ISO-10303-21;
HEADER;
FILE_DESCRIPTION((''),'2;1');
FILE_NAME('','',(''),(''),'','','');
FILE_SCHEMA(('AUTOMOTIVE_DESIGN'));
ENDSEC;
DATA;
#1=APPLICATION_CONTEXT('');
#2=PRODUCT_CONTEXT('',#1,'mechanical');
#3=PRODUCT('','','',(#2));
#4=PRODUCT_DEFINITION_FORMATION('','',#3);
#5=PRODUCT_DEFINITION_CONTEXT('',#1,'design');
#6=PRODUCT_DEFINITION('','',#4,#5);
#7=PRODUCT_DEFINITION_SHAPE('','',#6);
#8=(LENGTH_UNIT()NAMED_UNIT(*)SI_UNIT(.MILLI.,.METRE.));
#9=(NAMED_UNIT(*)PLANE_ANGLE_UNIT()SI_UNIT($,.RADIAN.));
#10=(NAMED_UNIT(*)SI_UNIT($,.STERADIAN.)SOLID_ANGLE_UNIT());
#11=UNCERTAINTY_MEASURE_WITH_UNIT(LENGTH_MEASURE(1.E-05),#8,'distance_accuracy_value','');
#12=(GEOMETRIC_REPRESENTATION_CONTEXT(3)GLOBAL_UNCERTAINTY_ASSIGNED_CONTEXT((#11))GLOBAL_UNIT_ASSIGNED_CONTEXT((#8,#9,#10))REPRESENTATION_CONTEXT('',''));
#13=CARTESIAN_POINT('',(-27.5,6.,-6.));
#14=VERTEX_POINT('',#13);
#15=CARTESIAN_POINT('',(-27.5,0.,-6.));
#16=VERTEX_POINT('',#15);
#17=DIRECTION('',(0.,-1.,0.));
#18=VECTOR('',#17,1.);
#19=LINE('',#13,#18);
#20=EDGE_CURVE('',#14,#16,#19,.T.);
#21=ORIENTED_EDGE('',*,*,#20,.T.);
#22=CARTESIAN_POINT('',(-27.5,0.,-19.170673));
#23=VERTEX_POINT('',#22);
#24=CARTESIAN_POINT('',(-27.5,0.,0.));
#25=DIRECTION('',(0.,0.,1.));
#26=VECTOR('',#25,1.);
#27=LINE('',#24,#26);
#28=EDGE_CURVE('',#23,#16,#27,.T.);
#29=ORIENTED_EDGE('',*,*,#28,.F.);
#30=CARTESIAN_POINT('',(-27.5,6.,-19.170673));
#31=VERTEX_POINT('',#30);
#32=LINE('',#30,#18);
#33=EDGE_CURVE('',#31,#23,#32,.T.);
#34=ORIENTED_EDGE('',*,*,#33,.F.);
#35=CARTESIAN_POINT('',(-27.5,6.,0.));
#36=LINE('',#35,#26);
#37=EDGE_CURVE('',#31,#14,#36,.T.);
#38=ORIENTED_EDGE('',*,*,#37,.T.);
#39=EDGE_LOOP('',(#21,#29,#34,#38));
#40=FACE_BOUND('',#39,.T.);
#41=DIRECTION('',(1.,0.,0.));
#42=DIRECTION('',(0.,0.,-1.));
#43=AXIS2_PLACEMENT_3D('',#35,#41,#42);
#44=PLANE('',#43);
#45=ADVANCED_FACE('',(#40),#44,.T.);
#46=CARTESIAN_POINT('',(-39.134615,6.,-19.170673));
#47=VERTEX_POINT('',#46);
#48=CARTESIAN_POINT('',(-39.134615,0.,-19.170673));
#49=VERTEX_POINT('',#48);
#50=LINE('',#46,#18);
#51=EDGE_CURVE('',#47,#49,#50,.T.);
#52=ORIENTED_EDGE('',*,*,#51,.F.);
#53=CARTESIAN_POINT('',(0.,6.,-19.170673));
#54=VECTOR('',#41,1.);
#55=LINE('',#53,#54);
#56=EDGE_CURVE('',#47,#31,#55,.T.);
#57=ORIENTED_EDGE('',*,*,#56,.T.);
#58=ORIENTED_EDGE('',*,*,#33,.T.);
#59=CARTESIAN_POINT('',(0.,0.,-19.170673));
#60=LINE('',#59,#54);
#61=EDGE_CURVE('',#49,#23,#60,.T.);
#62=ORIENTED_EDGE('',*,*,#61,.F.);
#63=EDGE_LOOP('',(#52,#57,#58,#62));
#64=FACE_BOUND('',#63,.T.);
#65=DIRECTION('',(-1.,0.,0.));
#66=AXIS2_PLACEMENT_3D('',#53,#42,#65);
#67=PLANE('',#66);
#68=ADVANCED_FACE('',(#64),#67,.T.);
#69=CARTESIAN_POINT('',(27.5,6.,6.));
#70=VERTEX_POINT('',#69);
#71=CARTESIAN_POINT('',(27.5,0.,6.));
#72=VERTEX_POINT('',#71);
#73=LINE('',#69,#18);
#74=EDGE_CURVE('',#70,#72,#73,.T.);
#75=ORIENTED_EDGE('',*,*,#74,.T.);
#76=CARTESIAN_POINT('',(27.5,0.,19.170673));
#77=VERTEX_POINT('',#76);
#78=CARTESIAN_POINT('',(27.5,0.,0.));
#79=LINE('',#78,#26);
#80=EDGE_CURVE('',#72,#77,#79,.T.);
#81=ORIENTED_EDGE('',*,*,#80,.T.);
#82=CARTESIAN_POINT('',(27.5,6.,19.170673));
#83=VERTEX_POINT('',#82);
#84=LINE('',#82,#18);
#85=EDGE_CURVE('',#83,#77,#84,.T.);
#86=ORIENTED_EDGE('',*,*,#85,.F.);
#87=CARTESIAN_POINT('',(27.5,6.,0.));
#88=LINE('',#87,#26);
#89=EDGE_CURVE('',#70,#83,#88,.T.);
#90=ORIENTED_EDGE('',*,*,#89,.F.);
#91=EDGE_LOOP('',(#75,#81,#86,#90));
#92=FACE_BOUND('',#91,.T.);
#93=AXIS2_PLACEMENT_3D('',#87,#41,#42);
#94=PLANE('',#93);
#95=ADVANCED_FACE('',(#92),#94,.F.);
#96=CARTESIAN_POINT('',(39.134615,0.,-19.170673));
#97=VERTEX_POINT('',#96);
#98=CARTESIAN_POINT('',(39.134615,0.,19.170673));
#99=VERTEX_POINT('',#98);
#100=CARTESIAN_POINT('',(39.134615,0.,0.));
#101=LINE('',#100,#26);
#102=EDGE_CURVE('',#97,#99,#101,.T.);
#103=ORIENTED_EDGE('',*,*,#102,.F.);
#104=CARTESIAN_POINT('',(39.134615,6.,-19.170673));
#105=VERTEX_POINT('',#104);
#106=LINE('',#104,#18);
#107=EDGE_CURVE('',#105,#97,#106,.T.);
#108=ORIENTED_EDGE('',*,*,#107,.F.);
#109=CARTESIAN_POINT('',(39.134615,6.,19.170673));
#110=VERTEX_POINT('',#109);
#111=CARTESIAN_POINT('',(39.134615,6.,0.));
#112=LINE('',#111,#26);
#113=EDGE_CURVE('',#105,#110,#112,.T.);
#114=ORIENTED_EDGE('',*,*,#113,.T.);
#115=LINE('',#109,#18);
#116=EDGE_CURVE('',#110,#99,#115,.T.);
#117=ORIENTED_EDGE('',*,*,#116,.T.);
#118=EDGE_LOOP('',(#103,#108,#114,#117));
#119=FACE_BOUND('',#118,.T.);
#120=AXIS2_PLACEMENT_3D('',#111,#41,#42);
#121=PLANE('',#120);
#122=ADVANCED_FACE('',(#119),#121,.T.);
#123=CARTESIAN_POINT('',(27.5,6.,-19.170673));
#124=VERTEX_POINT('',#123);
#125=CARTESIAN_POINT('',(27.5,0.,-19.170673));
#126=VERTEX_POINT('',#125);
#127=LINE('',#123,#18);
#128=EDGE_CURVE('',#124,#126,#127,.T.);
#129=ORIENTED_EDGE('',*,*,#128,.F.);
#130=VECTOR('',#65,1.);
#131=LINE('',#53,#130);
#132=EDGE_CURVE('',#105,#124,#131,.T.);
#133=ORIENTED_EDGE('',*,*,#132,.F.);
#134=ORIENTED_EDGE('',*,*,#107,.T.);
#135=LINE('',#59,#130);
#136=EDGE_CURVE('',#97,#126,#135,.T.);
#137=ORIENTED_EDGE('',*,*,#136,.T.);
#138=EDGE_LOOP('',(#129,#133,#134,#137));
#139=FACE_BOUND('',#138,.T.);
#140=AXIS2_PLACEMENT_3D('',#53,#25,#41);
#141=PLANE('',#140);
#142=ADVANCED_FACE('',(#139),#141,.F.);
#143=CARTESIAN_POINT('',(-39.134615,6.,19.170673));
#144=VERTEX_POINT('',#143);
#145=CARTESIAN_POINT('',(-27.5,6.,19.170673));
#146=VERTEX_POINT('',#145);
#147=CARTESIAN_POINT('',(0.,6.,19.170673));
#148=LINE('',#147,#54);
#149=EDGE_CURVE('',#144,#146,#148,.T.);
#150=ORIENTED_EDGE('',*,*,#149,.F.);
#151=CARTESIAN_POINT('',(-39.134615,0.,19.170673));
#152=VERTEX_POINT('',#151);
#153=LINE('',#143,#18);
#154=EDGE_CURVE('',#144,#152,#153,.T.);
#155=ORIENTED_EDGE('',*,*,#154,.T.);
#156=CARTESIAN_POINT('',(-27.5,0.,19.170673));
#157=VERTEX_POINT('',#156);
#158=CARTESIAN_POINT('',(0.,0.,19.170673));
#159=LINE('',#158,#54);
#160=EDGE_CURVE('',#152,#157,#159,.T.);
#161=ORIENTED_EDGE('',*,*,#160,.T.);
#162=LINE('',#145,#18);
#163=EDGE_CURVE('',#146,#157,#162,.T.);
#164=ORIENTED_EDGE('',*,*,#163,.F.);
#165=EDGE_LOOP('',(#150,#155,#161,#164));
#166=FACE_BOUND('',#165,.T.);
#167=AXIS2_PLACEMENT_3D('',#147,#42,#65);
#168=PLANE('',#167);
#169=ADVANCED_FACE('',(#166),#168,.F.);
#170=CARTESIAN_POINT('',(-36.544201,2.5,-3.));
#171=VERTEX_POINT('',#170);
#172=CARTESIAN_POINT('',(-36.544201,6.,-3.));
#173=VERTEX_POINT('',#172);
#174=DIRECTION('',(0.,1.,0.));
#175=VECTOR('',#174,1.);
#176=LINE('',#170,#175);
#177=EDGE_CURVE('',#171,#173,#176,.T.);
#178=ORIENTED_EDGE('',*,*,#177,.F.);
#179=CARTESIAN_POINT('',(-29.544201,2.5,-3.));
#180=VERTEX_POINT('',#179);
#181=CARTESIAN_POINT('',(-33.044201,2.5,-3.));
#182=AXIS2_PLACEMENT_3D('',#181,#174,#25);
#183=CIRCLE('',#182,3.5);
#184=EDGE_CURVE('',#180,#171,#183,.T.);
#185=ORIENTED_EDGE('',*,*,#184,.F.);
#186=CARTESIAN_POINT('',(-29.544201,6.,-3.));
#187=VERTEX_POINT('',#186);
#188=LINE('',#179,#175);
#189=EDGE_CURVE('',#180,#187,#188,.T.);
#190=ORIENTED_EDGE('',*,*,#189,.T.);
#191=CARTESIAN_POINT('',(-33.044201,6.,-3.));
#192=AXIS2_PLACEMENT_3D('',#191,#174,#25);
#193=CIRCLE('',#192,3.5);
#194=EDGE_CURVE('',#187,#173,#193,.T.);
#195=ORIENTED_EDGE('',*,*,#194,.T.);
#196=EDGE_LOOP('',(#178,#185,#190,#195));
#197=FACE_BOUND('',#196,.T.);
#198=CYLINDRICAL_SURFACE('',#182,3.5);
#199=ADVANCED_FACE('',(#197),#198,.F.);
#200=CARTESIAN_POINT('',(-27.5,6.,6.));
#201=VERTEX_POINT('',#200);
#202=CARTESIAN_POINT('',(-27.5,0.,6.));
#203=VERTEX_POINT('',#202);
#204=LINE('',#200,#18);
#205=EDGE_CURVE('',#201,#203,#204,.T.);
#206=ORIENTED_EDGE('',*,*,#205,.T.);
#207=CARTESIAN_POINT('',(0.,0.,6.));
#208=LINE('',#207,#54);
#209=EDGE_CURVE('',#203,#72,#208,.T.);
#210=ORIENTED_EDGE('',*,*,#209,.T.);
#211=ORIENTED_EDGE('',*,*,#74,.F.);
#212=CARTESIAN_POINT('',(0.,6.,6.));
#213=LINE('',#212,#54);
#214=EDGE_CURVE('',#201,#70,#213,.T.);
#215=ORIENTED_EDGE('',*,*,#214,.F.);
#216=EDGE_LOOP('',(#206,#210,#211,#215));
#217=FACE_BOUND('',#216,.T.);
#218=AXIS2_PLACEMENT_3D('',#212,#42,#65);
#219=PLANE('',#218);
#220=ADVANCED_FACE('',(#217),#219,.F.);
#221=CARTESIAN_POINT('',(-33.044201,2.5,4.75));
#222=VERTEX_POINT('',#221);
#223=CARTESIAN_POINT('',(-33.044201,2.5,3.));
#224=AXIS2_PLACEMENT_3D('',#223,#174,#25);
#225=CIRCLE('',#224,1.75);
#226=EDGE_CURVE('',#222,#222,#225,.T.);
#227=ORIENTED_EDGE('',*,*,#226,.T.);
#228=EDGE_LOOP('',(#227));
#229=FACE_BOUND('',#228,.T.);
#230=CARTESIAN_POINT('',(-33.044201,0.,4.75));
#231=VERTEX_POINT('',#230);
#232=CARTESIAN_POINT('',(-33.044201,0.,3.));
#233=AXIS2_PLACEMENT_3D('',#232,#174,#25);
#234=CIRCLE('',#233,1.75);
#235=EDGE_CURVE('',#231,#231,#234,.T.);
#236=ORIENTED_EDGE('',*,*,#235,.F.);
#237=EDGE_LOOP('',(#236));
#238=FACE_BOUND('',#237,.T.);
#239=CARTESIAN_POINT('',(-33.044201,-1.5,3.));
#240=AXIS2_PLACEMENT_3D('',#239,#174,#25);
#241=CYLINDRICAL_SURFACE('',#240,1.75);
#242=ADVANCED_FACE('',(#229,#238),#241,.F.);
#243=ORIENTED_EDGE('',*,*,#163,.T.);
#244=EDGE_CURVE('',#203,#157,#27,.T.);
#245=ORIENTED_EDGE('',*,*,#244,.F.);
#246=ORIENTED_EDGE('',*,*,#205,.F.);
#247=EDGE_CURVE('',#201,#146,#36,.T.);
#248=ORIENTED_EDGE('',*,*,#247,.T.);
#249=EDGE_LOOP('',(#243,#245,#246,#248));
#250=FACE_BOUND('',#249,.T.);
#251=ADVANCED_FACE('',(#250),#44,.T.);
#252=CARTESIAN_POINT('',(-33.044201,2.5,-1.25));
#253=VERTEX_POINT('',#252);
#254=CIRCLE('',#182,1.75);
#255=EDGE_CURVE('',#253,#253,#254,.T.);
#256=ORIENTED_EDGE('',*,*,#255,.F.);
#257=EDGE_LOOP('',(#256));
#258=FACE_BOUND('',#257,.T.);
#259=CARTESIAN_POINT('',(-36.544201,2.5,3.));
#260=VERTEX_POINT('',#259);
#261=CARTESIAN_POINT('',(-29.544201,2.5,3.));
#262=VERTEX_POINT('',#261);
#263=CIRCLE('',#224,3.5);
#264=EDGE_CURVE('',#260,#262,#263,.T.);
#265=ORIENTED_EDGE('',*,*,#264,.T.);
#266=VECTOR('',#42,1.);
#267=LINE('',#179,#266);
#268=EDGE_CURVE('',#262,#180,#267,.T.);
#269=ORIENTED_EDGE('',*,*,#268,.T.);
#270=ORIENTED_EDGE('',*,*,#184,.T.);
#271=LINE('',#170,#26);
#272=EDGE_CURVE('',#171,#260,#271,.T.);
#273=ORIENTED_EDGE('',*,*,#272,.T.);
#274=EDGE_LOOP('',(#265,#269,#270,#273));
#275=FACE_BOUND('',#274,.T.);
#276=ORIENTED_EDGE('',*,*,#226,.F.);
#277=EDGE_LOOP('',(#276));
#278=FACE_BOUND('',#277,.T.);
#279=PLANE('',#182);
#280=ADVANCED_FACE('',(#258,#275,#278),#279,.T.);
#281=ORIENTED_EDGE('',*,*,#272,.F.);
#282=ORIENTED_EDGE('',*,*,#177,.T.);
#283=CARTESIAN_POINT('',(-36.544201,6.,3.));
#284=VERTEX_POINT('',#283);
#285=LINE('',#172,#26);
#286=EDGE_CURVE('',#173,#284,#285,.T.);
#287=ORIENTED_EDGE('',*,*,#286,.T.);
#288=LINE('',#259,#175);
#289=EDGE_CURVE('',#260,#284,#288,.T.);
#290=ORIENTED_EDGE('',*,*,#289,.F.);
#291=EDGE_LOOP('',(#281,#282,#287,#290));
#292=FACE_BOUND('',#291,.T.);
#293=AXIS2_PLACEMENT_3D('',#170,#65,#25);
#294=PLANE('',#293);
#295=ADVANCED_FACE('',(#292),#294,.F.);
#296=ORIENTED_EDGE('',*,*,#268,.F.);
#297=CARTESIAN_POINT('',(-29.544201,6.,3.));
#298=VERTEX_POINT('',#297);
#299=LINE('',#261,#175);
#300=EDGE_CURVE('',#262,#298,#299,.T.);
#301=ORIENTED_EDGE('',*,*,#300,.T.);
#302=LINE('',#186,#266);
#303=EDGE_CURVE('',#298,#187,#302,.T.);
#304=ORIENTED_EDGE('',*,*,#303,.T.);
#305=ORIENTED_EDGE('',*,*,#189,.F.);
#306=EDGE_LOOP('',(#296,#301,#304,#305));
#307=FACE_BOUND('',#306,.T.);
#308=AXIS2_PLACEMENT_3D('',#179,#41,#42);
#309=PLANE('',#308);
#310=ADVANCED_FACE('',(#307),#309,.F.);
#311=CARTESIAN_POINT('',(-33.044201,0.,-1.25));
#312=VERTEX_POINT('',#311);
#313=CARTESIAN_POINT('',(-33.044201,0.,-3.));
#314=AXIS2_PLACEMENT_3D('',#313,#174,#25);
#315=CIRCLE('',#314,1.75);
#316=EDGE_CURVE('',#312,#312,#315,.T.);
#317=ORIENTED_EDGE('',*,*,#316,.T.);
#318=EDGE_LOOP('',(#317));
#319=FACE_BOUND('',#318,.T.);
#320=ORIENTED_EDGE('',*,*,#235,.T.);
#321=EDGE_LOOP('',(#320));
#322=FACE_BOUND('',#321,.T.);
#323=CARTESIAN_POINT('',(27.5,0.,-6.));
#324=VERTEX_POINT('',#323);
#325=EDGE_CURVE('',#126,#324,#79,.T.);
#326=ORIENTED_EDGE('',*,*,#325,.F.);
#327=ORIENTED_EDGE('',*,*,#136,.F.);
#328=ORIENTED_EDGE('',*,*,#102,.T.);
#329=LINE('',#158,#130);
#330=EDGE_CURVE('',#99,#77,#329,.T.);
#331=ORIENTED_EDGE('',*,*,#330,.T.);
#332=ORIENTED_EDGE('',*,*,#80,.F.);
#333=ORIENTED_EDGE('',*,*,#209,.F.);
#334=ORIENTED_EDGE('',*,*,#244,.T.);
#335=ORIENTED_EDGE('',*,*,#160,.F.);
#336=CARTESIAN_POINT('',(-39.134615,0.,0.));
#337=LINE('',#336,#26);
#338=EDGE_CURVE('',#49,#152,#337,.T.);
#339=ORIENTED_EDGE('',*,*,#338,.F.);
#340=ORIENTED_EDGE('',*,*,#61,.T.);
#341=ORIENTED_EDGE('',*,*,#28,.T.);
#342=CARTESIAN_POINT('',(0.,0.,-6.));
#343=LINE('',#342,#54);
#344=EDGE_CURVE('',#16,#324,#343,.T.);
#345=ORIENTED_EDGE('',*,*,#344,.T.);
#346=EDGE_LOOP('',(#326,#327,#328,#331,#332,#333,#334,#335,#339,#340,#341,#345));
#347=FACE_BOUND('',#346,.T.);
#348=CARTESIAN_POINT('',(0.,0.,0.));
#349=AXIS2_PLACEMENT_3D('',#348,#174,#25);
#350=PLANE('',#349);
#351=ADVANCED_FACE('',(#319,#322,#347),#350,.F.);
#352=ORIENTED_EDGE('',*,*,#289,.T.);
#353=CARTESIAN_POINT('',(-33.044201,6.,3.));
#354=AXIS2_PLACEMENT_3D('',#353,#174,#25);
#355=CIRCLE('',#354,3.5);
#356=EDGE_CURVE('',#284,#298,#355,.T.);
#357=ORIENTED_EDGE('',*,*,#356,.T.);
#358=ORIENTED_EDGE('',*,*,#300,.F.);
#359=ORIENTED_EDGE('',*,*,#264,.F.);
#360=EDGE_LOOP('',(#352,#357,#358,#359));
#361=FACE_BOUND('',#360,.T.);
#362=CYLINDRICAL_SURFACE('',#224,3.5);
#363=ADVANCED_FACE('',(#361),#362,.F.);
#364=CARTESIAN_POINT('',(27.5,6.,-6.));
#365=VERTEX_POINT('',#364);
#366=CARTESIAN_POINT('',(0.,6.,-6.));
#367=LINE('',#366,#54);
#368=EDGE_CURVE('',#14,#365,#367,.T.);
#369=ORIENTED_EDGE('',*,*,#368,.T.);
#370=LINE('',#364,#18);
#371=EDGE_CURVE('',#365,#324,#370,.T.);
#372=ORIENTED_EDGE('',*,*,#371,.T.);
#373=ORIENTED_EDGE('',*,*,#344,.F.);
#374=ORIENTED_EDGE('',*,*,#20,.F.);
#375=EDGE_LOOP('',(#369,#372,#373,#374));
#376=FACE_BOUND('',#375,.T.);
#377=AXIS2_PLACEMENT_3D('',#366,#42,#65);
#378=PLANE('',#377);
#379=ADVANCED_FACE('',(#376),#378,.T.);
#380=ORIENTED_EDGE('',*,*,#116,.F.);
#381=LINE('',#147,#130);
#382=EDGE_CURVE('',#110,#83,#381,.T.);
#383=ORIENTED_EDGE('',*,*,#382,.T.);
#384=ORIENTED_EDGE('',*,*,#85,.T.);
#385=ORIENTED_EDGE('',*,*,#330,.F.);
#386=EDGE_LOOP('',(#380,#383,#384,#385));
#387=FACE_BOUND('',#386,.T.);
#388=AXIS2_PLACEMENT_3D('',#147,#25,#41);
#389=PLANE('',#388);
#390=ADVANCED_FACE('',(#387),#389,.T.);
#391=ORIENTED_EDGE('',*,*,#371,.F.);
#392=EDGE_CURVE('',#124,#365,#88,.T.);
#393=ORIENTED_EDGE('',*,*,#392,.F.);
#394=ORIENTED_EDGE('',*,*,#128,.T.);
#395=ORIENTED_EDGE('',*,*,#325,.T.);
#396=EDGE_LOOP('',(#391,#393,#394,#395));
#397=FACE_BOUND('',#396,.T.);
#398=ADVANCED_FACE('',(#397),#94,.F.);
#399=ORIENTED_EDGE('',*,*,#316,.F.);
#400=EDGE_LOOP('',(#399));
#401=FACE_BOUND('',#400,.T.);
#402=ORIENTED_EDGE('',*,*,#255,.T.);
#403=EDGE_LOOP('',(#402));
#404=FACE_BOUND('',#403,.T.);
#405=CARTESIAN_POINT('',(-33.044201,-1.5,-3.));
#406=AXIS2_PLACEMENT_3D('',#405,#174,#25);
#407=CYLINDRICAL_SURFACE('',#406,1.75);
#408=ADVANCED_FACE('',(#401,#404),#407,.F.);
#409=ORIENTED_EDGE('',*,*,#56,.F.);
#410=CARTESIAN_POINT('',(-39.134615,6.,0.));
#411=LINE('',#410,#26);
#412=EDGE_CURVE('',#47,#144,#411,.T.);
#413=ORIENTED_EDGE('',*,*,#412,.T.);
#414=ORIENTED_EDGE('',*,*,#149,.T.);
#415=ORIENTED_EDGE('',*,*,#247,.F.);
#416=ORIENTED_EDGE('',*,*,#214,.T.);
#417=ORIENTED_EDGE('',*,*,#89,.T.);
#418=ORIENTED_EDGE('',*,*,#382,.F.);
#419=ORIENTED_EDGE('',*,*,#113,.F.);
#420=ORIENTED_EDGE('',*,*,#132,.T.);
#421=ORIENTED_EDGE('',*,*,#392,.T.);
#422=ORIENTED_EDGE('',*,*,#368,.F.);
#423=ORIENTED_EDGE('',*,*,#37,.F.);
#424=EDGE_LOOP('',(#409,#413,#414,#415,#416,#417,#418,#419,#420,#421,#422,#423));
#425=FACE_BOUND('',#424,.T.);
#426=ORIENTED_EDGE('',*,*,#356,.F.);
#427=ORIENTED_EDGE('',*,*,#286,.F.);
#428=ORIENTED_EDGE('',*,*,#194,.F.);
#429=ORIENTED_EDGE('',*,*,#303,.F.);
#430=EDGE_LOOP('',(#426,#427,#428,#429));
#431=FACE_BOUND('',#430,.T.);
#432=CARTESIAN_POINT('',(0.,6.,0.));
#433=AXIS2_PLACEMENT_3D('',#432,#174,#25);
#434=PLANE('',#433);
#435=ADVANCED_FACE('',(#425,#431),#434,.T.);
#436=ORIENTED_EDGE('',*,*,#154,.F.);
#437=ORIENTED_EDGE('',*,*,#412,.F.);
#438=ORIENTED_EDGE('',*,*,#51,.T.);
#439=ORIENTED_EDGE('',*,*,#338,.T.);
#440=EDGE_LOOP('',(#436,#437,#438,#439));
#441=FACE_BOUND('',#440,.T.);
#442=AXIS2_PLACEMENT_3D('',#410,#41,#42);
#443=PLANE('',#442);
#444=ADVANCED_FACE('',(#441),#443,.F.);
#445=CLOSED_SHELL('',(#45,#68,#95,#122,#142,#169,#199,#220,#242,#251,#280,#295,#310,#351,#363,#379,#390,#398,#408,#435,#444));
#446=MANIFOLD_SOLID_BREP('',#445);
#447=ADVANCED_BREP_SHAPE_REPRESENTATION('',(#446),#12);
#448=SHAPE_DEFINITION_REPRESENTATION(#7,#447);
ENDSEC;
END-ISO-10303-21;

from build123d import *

# Parameters (mm, degrees)
BOSS_EXTRUDE1_DEPTH = 6
CUT_EXTRUDE2_DEPTH  = 3.5
SKETCH5_R           = 1.75
CUT_EXTRUDE3_DEPTH  = 4


with BuildPart() as part:
    # Sketch2 → Boss-Extrude1 (new body)
    with BuildSketch(Plane(origin=(0, 0, 0), x_dir=(1, 0, 0), z_dir=(0, 1, 0))):
        Polygon((-27.5, -6), (-27.5, 6), (-27.5, 19.170673077), (-39.134615385, 19.170673077), (-39.134615385, -19.170673077), (-27.5, -19.170673077), align=None)
        Polygon((0, -6), (0, 0), (0, 6), (-27.5, 6), (-27.5, -6), align=None)
        Polygon((0, 6), (0, 0), (0, -6), (27.5, -6), (27.5, 6), align=None)
        Polygon((27.5, 19.170673077), (27.5, 6), (27.5, -6), (27.5, -19.170673077), (39.134615385, -19.170673077), (39.134615385, 19.170673077), align=None)
    extrude(amount=BOSS_EXTRUDE1_DEPTH)

    # Sketch3 → Cut-Extrude2 (cut)
    with BuildSketch(Plane(origin=(0, 6, 0), x_dir=(1, 0, 0), z_dir=(0, 1, 0))):
        with BuildLine():
            Line((-29.544200918, 3), (-29.544200918, -3))
            ThreePointArc((-29.544200918, -3), (-33.044200918, -6.5), (-36.544200918, -3))
            Line((-36.544200918, -3), (-36.544200918, 3))
            ThreePointArc((-36.544200918, 3), (-33.044200918, 6.5), (-29.544200918, 3))
        make_face()
    extrude(amount=-CUT_EXTRUDE2_DEPTH, mode=Mode.SUBTRACT)

    # Sketch5 → Cut-Extrude3 (cut)
    with BuildSketch(Plane(origin=(0, 2.5, 0), x_dir=(1, 0, 0), z_dir=(0, 1, 0))):
        with Locations(Location((-33.044200918, 3, 0), (0, 0, 270))):
            Circle(SKETCH5_R)
        with Locations(Location((-33.044200918, -3, 0), (0, 0, 270))):
            Circle(SKETCH5_R)
    extrude(amount=-CUT_EXTRUDE3_DEPTH, mode=Mode.SUBTRACT)


solid = part.part
